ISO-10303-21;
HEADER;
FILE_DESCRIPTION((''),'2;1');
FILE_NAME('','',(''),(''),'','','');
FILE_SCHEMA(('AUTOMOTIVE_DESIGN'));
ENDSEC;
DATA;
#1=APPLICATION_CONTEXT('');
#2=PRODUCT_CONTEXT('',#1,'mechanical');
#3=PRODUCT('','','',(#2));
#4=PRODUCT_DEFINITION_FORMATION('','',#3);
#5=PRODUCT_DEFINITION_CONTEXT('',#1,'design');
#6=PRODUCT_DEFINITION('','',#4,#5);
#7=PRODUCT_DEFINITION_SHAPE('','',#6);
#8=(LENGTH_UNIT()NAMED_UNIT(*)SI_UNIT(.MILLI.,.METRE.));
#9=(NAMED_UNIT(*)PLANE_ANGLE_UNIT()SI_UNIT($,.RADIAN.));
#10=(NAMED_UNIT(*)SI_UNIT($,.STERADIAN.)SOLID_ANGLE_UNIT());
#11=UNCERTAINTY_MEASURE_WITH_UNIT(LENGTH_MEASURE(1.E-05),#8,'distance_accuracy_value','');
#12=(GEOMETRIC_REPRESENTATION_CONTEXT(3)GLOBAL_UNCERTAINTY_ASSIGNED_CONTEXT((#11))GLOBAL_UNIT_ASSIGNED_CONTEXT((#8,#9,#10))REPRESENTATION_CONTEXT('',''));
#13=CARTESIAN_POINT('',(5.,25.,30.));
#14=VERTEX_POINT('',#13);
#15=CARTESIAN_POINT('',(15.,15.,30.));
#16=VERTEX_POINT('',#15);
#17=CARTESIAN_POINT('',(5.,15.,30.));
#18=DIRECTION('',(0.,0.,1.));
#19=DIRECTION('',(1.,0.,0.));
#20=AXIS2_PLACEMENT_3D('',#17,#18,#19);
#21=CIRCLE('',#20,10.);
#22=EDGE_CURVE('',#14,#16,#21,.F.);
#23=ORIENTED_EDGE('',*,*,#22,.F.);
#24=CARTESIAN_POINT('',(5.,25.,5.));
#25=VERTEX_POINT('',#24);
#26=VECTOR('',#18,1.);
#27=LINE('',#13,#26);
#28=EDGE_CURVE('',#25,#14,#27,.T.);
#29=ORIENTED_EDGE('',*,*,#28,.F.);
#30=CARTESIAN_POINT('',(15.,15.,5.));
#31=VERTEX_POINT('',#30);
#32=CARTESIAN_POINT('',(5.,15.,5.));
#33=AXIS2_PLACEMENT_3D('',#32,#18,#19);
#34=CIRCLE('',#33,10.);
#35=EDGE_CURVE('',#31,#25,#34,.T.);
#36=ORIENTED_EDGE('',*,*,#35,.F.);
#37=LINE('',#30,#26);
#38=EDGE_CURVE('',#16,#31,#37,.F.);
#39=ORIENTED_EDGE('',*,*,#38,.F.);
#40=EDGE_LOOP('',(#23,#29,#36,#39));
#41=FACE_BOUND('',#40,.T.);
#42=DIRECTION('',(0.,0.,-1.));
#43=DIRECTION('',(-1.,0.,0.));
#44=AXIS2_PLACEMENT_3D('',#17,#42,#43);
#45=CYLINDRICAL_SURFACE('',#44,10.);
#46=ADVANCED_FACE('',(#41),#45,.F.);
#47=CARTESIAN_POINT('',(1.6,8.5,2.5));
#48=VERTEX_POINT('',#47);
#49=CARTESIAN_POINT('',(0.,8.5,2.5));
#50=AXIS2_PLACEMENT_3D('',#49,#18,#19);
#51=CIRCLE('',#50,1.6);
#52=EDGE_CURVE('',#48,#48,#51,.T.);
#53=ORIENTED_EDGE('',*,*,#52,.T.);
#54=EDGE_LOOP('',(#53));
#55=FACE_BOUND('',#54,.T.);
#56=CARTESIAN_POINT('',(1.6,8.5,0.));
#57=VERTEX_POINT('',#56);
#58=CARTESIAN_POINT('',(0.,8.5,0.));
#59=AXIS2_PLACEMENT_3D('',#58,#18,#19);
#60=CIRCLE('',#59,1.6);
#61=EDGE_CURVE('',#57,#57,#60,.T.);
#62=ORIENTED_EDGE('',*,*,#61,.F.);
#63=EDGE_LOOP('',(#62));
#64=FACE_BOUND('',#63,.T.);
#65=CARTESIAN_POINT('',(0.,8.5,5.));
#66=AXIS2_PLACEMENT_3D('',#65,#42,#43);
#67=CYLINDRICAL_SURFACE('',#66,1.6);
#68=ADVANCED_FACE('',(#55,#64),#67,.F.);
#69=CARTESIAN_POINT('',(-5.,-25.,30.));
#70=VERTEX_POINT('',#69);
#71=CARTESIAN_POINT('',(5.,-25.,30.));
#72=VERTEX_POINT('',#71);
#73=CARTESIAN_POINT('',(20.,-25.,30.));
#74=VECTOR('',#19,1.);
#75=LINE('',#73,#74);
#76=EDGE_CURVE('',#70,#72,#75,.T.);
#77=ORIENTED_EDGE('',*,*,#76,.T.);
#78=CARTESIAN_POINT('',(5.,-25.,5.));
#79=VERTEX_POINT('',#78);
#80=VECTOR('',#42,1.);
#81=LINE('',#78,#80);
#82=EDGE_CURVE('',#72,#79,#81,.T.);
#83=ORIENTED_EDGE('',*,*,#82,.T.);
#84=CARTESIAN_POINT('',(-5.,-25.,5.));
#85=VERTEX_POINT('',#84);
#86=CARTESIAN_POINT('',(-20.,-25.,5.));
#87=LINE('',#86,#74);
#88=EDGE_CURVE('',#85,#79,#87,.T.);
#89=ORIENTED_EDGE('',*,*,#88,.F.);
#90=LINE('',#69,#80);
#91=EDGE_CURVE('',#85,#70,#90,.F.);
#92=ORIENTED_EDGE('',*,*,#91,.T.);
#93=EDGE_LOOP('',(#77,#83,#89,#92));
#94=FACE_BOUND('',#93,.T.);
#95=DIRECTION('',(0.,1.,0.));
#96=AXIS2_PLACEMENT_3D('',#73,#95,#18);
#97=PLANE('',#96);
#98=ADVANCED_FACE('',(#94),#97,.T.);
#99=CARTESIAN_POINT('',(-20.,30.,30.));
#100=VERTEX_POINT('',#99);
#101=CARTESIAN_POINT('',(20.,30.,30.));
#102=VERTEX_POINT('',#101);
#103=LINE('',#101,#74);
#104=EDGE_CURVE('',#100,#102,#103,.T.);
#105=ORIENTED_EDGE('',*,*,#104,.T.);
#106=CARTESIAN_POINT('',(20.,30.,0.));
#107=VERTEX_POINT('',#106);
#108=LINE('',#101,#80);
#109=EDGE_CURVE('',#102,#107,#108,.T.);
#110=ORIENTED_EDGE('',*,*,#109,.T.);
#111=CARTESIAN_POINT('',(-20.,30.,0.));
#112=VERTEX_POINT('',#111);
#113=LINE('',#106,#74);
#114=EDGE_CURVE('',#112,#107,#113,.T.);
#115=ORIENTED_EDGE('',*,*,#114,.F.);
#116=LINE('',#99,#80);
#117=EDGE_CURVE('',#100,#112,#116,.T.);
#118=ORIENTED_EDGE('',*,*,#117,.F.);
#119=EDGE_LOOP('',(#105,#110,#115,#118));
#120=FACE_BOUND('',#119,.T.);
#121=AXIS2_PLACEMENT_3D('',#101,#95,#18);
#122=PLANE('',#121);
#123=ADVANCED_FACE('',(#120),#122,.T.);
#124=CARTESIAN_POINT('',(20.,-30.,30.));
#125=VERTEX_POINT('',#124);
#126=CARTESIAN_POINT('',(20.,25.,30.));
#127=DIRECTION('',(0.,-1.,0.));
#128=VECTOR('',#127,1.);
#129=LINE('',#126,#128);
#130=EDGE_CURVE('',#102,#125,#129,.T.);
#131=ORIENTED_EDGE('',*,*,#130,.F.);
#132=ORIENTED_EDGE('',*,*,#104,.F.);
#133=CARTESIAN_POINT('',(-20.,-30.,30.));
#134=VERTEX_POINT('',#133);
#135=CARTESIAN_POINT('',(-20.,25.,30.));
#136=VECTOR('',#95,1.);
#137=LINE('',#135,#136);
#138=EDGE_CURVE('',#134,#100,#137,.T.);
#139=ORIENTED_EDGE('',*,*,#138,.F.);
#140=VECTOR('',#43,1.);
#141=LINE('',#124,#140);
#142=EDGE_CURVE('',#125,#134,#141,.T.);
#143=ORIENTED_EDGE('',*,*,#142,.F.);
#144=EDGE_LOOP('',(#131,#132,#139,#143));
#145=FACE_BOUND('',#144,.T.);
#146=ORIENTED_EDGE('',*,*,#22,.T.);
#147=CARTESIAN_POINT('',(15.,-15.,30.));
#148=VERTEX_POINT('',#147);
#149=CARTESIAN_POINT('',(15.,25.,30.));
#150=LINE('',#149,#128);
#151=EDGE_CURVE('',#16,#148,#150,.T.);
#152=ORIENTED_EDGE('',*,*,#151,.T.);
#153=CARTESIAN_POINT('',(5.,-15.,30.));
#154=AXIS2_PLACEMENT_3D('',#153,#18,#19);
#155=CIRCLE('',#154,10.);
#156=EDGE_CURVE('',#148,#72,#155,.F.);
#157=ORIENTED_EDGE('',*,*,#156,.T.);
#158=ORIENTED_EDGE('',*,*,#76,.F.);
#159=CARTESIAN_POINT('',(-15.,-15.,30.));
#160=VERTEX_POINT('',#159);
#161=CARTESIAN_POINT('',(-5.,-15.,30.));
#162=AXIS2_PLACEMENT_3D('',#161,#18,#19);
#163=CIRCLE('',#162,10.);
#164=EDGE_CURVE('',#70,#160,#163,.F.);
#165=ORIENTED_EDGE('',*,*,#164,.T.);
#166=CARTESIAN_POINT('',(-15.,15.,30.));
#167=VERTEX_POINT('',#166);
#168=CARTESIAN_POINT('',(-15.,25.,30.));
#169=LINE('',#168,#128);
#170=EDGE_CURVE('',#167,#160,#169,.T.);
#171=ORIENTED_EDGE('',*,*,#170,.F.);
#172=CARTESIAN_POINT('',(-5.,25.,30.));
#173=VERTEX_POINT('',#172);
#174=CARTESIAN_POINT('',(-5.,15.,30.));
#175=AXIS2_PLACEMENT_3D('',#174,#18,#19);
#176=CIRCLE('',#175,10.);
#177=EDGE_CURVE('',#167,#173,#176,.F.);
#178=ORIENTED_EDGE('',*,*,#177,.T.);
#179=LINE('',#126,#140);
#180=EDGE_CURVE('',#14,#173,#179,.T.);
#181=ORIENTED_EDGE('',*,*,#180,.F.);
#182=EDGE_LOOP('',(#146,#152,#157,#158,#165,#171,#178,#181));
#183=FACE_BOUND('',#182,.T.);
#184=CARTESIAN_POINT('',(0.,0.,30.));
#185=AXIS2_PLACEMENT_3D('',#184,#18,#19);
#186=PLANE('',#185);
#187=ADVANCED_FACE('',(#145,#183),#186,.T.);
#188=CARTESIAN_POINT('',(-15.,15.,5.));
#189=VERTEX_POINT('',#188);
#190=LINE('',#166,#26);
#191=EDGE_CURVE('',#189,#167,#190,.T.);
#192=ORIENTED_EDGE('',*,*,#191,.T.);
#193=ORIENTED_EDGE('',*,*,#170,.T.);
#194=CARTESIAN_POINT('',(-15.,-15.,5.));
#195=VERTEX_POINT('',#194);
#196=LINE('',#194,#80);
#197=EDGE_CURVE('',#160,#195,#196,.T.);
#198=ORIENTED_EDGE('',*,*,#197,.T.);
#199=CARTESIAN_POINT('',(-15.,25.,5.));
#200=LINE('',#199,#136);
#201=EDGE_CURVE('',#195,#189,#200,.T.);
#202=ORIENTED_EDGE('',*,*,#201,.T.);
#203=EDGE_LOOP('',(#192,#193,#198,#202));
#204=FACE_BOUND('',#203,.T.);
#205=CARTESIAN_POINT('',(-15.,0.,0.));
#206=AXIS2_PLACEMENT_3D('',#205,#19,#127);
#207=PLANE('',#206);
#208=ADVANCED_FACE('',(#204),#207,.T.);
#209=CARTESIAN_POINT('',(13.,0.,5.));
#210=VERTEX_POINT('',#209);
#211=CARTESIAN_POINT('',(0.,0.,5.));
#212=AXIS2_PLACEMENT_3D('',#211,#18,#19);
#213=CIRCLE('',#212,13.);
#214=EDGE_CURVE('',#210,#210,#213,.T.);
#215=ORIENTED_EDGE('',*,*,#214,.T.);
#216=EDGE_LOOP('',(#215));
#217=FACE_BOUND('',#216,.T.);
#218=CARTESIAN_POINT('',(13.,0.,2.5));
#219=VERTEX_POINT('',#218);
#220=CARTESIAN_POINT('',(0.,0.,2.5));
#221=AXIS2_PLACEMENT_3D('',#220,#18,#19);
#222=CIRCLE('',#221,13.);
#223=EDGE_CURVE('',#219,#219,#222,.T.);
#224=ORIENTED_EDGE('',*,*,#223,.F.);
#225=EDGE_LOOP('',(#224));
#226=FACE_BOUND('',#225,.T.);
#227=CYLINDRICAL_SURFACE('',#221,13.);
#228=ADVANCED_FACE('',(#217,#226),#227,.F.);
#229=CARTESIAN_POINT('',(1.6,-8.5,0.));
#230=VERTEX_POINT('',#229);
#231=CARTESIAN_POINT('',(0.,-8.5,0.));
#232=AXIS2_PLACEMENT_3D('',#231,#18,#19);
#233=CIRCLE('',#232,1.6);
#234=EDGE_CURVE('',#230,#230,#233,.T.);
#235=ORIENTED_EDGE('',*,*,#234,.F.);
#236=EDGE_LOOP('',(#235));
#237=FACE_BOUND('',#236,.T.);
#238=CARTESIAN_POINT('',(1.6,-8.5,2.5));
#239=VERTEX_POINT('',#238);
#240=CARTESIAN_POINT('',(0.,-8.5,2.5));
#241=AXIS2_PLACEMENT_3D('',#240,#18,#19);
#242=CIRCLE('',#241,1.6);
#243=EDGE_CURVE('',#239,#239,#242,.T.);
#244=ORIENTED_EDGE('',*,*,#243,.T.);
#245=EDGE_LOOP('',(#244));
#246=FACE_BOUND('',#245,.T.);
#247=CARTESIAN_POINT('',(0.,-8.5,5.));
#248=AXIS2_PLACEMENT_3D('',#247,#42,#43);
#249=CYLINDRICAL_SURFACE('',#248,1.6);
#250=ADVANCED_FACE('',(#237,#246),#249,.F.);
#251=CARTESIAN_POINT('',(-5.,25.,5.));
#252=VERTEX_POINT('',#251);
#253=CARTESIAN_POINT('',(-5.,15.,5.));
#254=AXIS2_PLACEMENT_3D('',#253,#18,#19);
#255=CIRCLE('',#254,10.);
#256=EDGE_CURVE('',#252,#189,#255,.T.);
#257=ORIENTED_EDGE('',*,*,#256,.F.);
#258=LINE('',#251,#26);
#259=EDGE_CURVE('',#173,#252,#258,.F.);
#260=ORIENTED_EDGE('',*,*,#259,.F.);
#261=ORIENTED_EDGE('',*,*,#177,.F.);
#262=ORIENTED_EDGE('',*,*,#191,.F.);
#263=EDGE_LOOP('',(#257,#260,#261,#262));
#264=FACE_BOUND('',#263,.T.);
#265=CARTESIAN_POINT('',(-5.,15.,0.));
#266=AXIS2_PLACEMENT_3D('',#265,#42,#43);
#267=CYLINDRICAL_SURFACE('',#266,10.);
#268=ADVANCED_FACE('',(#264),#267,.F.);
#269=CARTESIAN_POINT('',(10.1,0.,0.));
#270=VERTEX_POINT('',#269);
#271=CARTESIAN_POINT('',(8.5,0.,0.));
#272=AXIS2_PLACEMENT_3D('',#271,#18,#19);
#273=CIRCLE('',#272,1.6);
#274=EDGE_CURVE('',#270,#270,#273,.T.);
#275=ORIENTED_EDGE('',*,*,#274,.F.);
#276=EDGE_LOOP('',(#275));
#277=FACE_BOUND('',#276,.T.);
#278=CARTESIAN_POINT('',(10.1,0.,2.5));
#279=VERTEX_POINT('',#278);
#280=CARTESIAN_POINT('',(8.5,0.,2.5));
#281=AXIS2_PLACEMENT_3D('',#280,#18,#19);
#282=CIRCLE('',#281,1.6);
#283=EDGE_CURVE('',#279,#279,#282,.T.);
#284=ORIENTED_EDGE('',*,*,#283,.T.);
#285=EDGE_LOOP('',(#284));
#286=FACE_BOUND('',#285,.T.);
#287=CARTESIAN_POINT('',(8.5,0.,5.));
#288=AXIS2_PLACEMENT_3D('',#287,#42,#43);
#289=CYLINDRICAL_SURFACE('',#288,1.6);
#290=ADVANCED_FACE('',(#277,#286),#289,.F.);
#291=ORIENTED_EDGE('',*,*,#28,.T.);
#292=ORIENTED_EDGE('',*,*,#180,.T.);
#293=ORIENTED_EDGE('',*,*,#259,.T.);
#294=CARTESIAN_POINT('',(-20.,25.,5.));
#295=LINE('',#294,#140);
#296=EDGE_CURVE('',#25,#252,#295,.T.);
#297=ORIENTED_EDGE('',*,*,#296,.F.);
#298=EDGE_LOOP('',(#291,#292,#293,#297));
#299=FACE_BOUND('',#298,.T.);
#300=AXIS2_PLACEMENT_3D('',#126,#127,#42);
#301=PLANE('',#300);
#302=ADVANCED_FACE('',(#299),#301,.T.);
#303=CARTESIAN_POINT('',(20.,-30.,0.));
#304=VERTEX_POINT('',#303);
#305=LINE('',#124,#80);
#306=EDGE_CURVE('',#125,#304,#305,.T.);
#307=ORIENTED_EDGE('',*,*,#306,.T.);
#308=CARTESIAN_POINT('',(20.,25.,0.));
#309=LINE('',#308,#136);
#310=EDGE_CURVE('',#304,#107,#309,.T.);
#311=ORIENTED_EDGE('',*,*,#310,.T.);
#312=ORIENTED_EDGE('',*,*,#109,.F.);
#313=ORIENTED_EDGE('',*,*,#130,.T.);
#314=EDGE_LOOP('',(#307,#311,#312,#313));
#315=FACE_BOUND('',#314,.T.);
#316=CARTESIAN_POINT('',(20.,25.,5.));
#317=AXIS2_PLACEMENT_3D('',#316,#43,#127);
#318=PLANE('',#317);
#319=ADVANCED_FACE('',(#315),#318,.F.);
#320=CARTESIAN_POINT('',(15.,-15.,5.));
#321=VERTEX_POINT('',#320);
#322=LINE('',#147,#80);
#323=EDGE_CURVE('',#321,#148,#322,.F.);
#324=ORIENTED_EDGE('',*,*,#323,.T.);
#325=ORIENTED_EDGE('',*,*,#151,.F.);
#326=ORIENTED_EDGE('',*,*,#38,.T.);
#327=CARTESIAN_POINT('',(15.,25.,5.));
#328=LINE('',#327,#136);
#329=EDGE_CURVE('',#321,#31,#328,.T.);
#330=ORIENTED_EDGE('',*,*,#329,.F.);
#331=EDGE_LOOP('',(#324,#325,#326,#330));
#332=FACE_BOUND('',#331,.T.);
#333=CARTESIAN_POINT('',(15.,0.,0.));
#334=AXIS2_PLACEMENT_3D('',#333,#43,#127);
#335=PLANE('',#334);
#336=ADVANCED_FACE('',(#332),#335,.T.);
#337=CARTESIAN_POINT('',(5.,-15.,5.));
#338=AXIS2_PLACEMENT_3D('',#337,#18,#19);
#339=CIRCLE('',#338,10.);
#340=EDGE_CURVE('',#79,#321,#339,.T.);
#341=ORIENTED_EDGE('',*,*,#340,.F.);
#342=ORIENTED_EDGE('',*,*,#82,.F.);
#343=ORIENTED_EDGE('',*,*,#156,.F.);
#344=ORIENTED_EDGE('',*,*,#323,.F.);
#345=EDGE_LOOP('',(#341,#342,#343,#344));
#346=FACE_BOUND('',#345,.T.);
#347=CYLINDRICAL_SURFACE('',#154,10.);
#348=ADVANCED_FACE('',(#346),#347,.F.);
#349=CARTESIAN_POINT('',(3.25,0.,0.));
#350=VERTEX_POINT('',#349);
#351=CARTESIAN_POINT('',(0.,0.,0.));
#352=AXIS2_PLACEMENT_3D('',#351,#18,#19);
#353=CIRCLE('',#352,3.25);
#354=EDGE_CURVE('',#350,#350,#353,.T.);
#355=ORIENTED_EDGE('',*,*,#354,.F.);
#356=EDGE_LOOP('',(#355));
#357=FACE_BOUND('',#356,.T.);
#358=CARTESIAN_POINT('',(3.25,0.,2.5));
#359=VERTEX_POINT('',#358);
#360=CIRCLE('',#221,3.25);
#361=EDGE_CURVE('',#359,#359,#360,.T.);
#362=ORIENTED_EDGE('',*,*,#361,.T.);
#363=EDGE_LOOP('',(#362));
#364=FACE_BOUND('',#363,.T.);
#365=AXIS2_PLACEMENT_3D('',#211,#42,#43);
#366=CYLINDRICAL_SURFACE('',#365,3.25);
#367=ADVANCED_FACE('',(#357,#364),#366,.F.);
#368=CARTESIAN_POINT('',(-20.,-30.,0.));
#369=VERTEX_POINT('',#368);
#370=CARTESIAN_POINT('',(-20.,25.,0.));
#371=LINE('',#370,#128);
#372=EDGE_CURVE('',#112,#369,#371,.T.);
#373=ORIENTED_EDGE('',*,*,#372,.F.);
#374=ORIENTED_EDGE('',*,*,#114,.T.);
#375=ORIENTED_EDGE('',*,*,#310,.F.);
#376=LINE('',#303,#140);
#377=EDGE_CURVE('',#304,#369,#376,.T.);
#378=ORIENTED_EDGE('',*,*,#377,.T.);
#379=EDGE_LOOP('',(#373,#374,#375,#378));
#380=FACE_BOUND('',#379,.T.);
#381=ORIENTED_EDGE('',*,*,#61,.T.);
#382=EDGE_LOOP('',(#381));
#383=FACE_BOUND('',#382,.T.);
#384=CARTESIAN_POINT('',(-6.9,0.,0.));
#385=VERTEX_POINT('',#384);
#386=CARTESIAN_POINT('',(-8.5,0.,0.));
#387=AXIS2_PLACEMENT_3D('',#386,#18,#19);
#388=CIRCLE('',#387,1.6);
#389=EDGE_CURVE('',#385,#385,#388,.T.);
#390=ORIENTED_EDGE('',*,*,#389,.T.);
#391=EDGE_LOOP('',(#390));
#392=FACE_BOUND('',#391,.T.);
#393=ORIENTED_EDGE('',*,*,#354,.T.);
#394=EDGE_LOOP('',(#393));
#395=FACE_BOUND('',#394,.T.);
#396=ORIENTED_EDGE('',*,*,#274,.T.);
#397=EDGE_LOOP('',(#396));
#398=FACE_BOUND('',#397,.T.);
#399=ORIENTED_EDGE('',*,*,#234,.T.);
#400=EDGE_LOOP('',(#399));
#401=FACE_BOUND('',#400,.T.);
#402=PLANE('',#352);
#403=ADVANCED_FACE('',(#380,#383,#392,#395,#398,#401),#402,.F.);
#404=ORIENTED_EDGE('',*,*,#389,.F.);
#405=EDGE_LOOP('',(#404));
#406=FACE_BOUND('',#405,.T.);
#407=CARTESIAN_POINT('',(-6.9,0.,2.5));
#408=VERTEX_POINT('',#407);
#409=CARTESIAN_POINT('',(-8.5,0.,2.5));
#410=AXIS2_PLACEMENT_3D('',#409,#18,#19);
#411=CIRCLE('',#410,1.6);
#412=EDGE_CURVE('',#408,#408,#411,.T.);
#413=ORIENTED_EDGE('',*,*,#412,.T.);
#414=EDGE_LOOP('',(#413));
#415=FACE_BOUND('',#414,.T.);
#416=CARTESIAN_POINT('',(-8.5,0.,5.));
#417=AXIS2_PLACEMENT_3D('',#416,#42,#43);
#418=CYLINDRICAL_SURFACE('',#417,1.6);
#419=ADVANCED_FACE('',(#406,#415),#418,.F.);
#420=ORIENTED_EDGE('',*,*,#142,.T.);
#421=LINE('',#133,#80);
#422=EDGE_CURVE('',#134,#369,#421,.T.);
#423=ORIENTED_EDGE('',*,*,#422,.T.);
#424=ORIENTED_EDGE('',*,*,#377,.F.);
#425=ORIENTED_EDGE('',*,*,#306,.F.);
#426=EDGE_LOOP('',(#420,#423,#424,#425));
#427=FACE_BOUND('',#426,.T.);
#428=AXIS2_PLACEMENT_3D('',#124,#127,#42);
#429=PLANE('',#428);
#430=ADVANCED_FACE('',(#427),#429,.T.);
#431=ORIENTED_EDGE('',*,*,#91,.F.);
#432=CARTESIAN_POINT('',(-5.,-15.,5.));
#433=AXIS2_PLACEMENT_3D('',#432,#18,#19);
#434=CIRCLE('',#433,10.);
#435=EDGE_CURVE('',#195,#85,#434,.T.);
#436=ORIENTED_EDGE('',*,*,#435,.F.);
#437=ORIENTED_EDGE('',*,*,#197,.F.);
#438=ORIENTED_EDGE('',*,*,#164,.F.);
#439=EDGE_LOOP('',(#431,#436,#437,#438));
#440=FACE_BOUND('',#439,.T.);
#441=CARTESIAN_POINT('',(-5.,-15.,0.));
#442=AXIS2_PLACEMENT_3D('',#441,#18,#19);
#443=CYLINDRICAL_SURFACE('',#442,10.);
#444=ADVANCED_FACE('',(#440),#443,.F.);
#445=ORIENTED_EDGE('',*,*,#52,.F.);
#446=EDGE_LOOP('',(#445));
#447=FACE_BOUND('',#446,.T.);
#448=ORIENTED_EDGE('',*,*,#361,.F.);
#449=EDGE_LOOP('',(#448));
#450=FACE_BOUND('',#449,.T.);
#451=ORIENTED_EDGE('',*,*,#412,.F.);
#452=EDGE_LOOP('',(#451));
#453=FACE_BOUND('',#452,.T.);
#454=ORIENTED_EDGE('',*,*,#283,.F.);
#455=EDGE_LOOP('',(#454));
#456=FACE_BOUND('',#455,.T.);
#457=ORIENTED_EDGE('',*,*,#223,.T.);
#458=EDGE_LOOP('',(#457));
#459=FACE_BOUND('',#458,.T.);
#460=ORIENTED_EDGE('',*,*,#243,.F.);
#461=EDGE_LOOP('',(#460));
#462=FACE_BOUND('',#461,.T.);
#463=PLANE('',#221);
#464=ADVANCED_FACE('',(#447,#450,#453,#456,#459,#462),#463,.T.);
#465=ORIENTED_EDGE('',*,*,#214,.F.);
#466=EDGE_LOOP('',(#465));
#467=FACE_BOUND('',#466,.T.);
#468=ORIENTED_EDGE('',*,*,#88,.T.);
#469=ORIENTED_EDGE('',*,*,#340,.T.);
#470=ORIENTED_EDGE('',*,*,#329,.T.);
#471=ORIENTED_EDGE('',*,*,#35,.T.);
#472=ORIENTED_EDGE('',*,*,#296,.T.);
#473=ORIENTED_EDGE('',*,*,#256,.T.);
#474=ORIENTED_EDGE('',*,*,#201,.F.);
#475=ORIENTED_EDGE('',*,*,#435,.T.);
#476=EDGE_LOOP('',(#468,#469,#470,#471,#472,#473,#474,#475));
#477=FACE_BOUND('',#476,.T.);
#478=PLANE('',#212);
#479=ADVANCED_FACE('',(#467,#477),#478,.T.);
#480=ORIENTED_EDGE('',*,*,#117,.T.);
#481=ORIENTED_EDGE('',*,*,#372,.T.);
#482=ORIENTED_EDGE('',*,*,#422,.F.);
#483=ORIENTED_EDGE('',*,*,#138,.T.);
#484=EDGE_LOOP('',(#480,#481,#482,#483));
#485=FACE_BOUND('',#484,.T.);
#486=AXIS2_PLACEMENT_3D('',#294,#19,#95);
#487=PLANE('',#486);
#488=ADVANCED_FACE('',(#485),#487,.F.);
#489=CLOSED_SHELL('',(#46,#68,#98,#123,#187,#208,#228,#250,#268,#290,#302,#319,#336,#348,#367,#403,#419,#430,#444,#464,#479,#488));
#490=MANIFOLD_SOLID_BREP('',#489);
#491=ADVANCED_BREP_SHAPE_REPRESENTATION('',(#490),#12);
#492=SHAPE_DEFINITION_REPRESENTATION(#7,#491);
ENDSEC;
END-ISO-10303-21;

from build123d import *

# Parameters (mm, degrees)
SKETCH_1_W          = 40
SKETCH_1_H          = 50
SKETCH_1_R          = 1.6
SKETCH_1_R_2        = 3.25
EXTRUDE_1_DEPTH     = 5
SKETCH_2_R          = 13
CUT_EXTRUDE_1_DEPTH = 2.5
SKETCH_3_W          = 40
SKETCH_3_H          = 5
EXTRUDE_2_DEPTH     = 30
SKETCH_4_W          = 25
SKETCH_4_H          = 50
EXTRUDE_3_DEPTH     = 5
FILLET_1_R          = 10


with BuildPart() as part:
    # ｽｹｯﾁ1 → ﾎﾞｽ - 押し出し1 (new body)
    with BuildSketch(Plane.XY):
        Rectangle(SKETCH_1_W, SKETCH_1_H)
        with Locations((0, 8.5)):
            Circle(SKETCH_1_R, mode=Mode.SUBTRACT)
        with Locations((8.5, 0)):
            Circle(SKETCH_1_R, mode=Mode.SUBTRACT)
        with Locations((0, -8.5)):
            Circle(SKETCH_1_R, mode=Mode.SUBTRACT)
        with Locations((-8.5, 0)):
            Circle(SKETCH_1_R, mode=Mode.SUBTRACT)
        Circle(SKETCH_1_R_2, mode=Mode.SUBTRACT)
    extrude(amount=EXTRUDE_1_DEPTH)

    # ｽｹｯﾁ2 → ｶｯﾄ - 押し出し1 (cut)
    with BuildSketch(Plane.XY.offset(5)):
        Circle(SKETCH_2_R)
    extrude(amount=-CUT_EXTRUDE_1_DEPTH, mode=Mode.SUBTRACT)

    # ｽｹｯﾁ3 → ﾎﾞｽ - 押し出し2 (add)
    with BuildSketch(Plane(origin=(0, 0, 0), x_dir=(-1, 0, 0), z_dir=(0, 0, -1))):
        with Locations((0, 27.5)):
            Rectangle(SKETCH_3_W, SKETCH_3_H)
        with Locations((0, -27.5)):
            Rectangle(SKETCH_3_W, SKETCH_3_H)
    extrude(amount=-EXTRUDE_2_DEPTH)

    # ｽｹｯﾁ4 → ﾎﾞｽ - 押し出し3 (add)
    with BuildSketch(Plane(origin=(20, 0, 0), x_dir=(0, 0, -1), z_dir=(1, 0, 0))):
        with Locations((-17.5, 0)):
            Rectangle(SKETCH_4_W, SKETCH_4_H)
    extrude_3 = extrude(amount=-EXTRUDE_3_DEPTH)

    # ﾐﾗｰ1: ﾎﾞｽ - 押し出し3 across plane
    add(extrude_3.mirror(Plane(origin=(0, 0, 0), x_dir=(0, 0, 1), z_dir=(1, 0, 0))))

    # ﾌｨﾚｯﾄ1
    fillet_1_edges = [part.edges().sort_by_distance(p)[0] for p in [
        (15, -25, 17.5),
        (15, 25, 17.5),
        (-15, 25, 17.5),
        (-15, -25, 17.5),
    ]]
    fillet(fillet_1_edges, radius=FILLET_1_R)


solid = part.part
